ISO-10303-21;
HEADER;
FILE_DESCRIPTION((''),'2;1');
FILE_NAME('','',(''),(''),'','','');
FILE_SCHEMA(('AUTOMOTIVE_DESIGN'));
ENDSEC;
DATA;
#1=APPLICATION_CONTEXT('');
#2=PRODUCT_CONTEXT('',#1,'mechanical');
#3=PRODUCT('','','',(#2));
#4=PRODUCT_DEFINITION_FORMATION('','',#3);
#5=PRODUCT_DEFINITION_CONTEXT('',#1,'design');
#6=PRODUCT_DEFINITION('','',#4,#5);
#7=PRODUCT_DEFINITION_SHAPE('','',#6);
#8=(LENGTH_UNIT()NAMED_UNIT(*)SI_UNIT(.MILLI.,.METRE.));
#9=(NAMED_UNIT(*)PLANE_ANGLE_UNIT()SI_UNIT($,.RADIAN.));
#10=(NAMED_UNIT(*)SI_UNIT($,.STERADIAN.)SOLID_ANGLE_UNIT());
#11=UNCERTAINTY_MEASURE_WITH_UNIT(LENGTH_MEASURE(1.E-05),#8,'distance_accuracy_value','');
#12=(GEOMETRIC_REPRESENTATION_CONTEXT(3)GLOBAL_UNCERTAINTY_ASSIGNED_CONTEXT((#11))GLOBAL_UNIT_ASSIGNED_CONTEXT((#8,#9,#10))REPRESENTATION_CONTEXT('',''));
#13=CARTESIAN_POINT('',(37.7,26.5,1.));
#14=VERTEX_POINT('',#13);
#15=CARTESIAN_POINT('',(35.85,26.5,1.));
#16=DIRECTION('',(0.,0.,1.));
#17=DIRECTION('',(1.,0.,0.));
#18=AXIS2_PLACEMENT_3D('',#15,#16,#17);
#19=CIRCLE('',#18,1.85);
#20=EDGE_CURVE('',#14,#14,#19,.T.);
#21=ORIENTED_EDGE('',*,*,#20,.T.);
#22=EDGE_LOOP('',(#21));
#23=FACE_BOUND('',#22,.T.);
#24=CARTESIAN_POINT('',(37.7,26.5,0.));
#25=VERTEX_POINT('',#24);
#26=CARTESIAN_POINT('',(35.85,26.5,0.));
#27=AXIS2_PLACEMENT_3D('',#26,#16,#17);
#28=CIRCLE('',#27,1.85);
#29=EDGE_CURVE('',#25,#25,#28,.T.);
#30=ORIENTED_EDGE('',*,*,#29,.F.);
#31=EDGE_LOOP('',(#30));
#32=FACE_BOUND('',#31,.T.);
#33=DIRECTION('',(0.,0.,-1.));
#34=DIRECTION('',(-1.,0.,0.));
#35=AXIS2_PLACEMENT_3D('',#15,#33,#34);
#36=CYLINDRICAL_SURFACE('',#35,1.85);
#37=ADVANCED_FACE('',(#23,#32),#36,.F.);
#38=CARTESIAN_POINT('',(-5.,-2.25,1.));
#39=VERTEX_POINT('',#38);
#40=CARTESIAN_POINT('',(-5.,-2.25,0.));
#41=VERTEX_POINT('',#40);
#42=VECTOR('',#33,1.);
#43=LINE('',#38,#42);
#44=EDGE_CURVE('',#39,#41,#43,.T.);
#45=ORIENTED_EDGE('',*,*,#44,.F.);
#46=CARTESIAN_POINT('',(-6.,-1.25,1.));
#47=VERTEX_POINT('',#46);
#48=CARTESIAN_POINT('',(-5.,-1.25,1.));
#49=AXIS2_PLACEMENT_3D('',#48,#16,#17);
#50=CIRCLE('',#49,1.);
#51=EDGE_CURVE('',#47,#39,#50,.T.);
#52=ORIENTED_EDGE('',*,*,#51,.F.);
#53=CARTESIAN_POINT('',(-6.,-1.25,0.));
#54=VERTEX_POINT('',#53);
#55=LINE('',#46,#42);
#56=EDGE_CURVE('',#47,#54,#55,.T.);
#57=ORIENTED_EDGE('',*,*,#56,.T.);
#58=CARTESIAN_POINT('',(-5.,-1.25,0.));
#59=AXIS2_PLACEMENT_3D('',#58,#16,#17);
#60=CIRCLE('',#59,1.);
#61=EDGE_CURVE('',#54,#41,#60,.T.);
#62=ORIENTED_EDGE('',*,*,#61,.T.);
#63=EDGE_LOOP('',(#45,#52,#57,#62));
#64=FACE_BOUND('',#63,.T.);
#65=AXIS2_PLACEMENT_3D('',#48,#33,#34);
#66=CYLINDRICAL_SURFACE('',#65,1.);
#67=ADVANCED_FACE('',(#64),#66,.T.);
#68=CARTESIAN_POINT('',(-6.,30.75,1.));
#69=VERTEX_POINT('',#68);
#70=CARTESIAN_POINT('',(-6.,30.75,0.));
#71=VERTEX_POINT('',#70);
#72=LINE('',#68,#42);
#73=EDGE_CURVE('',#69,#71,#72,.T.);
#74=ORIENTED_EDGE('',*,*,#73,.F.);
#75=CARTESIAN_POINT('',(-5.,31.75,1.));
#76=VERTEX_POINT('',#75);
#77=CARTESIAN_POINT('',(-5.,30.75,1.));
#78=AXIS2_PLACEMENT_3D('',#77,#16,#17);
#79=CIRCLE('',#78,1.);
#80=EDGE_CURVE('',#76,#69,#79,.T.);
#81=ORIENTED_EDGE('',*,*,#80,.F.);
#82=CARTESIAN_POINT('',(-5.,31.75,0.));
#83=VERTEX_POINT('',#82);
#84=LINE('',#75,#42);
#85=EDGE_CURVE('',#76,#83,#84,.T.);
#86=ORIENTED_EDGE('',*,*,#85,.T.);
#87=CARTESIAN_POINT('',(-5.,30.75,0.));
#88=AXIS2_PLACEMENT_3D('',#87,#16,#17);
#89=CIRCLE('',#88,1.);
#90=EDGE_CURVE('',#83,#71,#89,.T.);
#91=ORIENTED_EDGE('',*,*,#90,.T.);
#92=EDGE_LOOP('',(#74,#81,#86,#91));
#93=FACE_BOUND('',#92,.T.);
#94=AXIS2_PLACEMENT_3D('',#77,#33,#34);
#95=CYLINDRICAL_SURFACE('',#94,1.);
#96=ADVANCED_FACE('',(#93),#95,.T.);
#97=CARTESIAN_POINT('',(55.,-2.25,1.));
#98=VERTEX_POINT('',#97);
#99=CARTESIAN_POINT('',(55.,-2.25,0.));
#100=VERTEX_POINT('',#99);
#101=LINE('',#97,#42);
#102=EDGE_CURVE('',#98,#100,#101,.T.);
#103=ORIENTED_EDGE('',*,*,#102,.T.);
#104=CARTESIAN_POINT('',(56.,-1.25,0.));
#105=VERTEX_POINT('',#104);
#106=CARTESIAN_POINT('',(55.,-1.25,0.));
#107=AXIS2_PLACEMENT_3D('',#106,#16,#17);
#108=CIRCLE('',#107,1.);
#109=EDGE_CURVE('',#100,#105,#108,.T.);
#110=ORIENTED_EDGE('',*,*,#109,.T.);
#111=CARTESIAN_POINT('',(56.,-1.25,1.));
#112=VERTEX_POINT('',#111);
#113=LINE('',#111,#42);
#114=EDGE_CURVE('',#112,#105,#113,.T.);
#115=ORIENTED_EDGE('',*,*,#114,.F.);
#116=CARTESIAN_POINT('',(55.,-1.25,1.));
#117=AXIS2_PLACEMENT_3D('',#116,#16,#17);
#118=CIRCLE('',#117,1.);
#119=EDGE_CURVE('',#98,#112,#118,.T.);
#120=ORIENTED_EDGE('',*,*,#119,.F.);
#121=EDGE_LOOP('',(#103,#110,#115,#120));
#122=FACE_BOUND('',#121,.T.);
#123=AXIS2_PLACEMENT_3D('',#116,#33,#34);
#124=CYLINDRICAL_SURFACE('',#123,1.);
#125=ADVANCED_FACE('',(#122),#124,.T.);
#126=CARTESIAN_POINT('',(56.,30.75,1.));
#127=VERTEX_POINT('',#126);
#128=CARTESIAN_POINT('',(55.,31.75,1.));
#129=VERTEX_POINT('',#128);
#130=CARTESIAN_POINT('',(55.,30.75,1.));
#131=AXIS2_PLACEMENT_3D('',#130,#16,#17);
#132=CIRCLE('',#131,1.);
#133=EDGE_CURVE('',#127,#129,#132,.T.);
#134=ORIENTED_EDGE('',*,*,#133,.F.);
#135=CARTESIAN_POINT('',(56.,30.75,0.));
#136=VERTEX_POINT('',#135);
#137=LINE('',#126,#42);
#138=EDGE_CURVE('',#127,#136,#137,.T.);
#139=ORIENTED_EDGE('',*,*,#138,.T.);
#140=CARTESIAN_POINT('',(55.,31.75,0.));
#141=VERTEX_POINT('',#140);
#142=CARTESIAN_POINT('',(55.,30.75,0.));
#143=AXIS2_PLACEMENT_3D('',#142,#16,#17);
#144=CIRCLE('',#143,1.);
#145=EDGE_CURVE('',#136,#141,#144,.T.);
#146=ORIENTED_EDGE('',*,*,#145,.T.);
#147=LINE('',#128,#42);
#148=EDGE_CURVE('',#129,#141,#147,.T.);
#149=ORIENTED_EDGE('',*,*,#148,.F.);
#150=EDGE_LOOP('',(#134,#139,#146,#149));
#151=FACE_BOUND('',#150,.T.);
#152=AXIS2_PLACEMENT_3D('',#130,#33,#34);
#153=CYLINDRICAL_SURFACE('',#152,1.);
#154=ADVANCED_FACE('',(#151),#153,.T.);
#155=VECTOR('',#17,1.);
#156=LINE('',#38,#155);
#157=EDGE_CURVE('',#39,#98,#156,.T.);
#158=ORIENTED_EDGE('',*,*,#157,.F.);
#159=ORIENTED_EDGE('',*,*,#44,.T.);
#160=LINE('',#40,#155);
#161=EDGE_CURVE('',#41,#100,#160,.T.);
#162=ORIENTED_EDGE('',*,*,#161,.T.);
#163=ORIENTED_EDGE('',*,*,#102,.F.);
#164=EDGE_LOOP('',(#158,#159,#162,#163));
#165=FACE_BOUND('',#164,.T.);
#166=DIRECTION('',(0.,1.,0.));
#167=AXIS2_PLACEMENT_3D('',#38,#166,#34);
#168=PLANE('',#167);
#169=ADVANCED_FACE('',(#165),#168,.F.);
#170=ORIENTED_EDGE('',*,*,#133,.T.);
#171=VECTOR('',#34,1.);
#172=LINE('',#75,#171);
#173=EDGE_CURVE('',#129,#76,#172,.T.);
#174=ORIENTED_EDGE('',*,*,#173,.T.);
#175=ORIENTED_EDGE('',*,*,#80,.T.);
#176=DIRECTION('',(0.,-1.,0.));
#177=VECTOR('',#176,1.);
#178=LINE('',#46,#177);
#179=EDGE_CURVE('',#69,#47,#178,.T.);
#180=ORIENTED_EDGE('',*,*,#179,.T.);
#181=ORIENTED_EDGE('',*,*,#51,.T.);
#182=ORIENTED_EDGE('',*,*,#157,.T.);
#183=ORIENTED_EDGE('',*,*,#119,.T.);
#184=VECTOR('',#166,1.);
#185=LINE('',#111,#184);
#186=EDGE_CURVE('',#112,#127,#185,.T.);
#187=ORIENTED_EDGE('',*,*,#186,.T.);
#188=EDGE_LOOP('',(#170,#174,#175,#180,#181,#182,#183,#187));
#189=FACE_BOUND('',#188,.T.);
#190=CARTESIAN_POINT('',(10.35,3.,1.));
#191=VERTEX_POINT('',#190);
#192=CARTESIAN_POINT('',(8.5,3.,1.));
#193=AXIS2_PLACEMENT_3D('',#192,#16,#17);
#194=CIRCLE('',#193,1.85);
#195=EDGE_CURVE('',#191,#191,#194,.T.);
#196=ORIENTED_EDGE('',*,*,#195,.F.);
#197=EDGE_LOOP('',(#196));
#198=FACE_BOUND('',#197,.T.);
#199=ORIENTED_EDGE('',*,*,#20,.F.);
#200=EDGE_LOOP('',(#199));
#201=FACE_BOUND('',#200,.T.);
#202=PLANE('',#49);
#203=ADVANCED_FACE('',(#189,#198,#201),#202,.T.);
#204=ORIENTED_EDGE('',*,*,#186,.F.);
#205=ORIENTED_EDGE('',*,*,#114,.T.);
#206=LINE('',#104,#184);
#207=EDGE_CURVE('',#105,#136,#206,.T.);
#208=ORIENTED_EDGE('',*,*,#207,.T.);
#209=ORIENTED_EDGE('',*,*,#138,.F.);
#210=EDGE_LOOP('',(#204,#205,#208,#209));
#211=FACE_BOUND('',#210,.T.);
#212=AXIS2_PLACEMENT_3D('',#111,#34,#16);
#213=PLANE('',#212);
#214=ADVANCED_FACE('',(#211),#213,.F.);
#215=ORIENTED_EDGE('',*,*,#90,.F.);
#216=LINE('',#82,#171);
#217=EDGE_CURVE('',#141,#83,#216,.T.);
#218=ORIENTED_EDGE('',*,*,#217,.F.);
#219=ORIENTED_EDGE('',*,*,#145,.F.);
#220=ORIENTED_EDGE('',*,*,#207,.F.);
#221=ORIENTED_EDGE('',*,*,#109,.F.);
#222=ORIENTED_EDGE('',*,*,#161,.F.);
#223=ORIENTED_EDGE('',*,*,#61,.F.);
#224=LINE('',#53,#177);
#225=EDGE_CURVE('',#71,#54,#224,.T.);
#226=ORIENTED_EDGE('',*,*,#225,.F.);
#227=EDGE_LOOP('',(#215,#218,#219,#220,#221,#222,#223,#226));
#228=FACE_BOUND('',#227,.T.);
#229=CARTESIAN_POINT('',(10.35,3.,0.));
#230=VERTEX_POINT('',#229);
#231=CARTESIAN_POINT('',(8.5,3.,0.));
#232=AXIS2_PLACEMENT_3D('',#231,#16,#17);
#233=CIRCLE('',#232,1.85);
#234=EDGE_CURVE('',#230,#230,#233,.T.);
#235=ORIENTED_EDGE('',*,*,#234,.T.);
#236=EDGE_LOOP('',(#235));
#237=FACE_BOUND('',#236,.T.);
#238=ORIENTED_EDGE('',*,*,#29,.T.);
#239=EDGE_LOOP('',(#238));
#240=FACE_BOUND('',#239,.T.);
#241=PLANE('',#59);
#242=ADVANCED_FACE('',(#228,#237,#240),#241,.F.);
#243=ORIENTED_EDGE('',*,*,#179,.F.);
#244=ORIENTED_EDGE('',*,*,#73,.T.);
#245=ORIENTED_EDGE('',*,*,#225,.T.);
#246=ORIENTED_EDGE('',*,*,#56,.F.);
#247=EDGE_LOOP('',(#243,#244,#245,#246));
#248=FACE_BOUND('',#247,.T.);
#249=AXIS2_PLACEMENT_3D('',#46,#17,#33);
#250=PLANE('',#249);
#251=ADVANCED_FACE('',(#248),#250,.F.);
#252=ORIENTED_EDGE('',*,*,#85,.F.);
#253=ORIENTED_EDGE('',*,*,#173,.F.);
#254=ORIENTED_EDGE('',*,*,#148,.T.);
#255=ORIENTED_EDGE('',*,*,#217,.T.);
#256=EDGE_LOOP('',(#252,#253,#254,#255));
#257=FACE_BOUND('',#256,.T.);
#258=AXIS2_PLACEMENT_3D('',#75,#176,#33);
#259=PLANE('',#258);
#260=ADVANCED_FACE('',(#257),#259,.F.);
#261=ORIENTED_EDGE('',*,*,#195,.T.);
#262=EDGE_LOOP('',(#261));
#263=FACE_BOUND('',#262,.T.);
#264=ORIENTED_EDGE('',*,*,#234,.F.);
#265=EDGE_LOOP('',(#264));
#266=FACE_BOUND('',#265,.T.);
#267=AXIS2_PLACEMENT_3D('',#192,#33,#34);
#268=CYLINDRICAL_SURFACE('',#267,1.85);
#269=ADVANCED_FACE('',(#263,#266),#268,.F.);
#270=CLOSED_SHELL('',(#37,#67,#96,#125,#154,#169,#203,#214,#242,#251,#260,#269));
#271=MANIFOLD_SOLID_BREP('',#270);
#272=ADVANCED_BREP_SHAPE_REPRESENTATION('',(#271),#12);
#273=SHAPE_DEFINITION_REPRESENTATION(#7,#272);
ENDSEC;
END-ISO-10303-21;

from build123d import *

# Parameters (mm, degrees)
CROQUIS1_R              = 1.85
SALIENTE_EXTRUIR1_DEPTH = 1


with BuildPart() as part:
    # Croquis1 → Saliente-Extruir1 (new body)
    with BuildSketch(Plane.XY):
        with BuildLine():
            Line((-5, 31.75), (55, 31.75))
            ThreePointArc((55, 31.75), (55.707106781, 31.457106781), (56, 30.75))
            Line((56, 30.75), (56, -1.25))
            ThreePointArc((56, -1.25), (55.707106781, -1.957106781), (55, -2.25))
            Line((55, -2.25), (-5, -2.25))
            ThreePointArc((-5, -2.25), (-5.707106781, -1.957106781), (-6, -1.25))
            Line((-6, -1.25), (-6, 30.75))
            ThreePointArc((-6, 30.75), (-5.707106781, 31.457106781), (-5, 31.75))
        make_face()
        with Locations((35.85, 26.5)):
            Circle(CROQUIS1_R, mode=Mode.SUBTRACT)
        with Locations((8.5, 3)):
            Circle(CROQUIS1_R, mode=Mode.SUBTRACT)
    extrude(amount=SALIENTE_EXTRUIR1_DEPTH)


solid = part.part
